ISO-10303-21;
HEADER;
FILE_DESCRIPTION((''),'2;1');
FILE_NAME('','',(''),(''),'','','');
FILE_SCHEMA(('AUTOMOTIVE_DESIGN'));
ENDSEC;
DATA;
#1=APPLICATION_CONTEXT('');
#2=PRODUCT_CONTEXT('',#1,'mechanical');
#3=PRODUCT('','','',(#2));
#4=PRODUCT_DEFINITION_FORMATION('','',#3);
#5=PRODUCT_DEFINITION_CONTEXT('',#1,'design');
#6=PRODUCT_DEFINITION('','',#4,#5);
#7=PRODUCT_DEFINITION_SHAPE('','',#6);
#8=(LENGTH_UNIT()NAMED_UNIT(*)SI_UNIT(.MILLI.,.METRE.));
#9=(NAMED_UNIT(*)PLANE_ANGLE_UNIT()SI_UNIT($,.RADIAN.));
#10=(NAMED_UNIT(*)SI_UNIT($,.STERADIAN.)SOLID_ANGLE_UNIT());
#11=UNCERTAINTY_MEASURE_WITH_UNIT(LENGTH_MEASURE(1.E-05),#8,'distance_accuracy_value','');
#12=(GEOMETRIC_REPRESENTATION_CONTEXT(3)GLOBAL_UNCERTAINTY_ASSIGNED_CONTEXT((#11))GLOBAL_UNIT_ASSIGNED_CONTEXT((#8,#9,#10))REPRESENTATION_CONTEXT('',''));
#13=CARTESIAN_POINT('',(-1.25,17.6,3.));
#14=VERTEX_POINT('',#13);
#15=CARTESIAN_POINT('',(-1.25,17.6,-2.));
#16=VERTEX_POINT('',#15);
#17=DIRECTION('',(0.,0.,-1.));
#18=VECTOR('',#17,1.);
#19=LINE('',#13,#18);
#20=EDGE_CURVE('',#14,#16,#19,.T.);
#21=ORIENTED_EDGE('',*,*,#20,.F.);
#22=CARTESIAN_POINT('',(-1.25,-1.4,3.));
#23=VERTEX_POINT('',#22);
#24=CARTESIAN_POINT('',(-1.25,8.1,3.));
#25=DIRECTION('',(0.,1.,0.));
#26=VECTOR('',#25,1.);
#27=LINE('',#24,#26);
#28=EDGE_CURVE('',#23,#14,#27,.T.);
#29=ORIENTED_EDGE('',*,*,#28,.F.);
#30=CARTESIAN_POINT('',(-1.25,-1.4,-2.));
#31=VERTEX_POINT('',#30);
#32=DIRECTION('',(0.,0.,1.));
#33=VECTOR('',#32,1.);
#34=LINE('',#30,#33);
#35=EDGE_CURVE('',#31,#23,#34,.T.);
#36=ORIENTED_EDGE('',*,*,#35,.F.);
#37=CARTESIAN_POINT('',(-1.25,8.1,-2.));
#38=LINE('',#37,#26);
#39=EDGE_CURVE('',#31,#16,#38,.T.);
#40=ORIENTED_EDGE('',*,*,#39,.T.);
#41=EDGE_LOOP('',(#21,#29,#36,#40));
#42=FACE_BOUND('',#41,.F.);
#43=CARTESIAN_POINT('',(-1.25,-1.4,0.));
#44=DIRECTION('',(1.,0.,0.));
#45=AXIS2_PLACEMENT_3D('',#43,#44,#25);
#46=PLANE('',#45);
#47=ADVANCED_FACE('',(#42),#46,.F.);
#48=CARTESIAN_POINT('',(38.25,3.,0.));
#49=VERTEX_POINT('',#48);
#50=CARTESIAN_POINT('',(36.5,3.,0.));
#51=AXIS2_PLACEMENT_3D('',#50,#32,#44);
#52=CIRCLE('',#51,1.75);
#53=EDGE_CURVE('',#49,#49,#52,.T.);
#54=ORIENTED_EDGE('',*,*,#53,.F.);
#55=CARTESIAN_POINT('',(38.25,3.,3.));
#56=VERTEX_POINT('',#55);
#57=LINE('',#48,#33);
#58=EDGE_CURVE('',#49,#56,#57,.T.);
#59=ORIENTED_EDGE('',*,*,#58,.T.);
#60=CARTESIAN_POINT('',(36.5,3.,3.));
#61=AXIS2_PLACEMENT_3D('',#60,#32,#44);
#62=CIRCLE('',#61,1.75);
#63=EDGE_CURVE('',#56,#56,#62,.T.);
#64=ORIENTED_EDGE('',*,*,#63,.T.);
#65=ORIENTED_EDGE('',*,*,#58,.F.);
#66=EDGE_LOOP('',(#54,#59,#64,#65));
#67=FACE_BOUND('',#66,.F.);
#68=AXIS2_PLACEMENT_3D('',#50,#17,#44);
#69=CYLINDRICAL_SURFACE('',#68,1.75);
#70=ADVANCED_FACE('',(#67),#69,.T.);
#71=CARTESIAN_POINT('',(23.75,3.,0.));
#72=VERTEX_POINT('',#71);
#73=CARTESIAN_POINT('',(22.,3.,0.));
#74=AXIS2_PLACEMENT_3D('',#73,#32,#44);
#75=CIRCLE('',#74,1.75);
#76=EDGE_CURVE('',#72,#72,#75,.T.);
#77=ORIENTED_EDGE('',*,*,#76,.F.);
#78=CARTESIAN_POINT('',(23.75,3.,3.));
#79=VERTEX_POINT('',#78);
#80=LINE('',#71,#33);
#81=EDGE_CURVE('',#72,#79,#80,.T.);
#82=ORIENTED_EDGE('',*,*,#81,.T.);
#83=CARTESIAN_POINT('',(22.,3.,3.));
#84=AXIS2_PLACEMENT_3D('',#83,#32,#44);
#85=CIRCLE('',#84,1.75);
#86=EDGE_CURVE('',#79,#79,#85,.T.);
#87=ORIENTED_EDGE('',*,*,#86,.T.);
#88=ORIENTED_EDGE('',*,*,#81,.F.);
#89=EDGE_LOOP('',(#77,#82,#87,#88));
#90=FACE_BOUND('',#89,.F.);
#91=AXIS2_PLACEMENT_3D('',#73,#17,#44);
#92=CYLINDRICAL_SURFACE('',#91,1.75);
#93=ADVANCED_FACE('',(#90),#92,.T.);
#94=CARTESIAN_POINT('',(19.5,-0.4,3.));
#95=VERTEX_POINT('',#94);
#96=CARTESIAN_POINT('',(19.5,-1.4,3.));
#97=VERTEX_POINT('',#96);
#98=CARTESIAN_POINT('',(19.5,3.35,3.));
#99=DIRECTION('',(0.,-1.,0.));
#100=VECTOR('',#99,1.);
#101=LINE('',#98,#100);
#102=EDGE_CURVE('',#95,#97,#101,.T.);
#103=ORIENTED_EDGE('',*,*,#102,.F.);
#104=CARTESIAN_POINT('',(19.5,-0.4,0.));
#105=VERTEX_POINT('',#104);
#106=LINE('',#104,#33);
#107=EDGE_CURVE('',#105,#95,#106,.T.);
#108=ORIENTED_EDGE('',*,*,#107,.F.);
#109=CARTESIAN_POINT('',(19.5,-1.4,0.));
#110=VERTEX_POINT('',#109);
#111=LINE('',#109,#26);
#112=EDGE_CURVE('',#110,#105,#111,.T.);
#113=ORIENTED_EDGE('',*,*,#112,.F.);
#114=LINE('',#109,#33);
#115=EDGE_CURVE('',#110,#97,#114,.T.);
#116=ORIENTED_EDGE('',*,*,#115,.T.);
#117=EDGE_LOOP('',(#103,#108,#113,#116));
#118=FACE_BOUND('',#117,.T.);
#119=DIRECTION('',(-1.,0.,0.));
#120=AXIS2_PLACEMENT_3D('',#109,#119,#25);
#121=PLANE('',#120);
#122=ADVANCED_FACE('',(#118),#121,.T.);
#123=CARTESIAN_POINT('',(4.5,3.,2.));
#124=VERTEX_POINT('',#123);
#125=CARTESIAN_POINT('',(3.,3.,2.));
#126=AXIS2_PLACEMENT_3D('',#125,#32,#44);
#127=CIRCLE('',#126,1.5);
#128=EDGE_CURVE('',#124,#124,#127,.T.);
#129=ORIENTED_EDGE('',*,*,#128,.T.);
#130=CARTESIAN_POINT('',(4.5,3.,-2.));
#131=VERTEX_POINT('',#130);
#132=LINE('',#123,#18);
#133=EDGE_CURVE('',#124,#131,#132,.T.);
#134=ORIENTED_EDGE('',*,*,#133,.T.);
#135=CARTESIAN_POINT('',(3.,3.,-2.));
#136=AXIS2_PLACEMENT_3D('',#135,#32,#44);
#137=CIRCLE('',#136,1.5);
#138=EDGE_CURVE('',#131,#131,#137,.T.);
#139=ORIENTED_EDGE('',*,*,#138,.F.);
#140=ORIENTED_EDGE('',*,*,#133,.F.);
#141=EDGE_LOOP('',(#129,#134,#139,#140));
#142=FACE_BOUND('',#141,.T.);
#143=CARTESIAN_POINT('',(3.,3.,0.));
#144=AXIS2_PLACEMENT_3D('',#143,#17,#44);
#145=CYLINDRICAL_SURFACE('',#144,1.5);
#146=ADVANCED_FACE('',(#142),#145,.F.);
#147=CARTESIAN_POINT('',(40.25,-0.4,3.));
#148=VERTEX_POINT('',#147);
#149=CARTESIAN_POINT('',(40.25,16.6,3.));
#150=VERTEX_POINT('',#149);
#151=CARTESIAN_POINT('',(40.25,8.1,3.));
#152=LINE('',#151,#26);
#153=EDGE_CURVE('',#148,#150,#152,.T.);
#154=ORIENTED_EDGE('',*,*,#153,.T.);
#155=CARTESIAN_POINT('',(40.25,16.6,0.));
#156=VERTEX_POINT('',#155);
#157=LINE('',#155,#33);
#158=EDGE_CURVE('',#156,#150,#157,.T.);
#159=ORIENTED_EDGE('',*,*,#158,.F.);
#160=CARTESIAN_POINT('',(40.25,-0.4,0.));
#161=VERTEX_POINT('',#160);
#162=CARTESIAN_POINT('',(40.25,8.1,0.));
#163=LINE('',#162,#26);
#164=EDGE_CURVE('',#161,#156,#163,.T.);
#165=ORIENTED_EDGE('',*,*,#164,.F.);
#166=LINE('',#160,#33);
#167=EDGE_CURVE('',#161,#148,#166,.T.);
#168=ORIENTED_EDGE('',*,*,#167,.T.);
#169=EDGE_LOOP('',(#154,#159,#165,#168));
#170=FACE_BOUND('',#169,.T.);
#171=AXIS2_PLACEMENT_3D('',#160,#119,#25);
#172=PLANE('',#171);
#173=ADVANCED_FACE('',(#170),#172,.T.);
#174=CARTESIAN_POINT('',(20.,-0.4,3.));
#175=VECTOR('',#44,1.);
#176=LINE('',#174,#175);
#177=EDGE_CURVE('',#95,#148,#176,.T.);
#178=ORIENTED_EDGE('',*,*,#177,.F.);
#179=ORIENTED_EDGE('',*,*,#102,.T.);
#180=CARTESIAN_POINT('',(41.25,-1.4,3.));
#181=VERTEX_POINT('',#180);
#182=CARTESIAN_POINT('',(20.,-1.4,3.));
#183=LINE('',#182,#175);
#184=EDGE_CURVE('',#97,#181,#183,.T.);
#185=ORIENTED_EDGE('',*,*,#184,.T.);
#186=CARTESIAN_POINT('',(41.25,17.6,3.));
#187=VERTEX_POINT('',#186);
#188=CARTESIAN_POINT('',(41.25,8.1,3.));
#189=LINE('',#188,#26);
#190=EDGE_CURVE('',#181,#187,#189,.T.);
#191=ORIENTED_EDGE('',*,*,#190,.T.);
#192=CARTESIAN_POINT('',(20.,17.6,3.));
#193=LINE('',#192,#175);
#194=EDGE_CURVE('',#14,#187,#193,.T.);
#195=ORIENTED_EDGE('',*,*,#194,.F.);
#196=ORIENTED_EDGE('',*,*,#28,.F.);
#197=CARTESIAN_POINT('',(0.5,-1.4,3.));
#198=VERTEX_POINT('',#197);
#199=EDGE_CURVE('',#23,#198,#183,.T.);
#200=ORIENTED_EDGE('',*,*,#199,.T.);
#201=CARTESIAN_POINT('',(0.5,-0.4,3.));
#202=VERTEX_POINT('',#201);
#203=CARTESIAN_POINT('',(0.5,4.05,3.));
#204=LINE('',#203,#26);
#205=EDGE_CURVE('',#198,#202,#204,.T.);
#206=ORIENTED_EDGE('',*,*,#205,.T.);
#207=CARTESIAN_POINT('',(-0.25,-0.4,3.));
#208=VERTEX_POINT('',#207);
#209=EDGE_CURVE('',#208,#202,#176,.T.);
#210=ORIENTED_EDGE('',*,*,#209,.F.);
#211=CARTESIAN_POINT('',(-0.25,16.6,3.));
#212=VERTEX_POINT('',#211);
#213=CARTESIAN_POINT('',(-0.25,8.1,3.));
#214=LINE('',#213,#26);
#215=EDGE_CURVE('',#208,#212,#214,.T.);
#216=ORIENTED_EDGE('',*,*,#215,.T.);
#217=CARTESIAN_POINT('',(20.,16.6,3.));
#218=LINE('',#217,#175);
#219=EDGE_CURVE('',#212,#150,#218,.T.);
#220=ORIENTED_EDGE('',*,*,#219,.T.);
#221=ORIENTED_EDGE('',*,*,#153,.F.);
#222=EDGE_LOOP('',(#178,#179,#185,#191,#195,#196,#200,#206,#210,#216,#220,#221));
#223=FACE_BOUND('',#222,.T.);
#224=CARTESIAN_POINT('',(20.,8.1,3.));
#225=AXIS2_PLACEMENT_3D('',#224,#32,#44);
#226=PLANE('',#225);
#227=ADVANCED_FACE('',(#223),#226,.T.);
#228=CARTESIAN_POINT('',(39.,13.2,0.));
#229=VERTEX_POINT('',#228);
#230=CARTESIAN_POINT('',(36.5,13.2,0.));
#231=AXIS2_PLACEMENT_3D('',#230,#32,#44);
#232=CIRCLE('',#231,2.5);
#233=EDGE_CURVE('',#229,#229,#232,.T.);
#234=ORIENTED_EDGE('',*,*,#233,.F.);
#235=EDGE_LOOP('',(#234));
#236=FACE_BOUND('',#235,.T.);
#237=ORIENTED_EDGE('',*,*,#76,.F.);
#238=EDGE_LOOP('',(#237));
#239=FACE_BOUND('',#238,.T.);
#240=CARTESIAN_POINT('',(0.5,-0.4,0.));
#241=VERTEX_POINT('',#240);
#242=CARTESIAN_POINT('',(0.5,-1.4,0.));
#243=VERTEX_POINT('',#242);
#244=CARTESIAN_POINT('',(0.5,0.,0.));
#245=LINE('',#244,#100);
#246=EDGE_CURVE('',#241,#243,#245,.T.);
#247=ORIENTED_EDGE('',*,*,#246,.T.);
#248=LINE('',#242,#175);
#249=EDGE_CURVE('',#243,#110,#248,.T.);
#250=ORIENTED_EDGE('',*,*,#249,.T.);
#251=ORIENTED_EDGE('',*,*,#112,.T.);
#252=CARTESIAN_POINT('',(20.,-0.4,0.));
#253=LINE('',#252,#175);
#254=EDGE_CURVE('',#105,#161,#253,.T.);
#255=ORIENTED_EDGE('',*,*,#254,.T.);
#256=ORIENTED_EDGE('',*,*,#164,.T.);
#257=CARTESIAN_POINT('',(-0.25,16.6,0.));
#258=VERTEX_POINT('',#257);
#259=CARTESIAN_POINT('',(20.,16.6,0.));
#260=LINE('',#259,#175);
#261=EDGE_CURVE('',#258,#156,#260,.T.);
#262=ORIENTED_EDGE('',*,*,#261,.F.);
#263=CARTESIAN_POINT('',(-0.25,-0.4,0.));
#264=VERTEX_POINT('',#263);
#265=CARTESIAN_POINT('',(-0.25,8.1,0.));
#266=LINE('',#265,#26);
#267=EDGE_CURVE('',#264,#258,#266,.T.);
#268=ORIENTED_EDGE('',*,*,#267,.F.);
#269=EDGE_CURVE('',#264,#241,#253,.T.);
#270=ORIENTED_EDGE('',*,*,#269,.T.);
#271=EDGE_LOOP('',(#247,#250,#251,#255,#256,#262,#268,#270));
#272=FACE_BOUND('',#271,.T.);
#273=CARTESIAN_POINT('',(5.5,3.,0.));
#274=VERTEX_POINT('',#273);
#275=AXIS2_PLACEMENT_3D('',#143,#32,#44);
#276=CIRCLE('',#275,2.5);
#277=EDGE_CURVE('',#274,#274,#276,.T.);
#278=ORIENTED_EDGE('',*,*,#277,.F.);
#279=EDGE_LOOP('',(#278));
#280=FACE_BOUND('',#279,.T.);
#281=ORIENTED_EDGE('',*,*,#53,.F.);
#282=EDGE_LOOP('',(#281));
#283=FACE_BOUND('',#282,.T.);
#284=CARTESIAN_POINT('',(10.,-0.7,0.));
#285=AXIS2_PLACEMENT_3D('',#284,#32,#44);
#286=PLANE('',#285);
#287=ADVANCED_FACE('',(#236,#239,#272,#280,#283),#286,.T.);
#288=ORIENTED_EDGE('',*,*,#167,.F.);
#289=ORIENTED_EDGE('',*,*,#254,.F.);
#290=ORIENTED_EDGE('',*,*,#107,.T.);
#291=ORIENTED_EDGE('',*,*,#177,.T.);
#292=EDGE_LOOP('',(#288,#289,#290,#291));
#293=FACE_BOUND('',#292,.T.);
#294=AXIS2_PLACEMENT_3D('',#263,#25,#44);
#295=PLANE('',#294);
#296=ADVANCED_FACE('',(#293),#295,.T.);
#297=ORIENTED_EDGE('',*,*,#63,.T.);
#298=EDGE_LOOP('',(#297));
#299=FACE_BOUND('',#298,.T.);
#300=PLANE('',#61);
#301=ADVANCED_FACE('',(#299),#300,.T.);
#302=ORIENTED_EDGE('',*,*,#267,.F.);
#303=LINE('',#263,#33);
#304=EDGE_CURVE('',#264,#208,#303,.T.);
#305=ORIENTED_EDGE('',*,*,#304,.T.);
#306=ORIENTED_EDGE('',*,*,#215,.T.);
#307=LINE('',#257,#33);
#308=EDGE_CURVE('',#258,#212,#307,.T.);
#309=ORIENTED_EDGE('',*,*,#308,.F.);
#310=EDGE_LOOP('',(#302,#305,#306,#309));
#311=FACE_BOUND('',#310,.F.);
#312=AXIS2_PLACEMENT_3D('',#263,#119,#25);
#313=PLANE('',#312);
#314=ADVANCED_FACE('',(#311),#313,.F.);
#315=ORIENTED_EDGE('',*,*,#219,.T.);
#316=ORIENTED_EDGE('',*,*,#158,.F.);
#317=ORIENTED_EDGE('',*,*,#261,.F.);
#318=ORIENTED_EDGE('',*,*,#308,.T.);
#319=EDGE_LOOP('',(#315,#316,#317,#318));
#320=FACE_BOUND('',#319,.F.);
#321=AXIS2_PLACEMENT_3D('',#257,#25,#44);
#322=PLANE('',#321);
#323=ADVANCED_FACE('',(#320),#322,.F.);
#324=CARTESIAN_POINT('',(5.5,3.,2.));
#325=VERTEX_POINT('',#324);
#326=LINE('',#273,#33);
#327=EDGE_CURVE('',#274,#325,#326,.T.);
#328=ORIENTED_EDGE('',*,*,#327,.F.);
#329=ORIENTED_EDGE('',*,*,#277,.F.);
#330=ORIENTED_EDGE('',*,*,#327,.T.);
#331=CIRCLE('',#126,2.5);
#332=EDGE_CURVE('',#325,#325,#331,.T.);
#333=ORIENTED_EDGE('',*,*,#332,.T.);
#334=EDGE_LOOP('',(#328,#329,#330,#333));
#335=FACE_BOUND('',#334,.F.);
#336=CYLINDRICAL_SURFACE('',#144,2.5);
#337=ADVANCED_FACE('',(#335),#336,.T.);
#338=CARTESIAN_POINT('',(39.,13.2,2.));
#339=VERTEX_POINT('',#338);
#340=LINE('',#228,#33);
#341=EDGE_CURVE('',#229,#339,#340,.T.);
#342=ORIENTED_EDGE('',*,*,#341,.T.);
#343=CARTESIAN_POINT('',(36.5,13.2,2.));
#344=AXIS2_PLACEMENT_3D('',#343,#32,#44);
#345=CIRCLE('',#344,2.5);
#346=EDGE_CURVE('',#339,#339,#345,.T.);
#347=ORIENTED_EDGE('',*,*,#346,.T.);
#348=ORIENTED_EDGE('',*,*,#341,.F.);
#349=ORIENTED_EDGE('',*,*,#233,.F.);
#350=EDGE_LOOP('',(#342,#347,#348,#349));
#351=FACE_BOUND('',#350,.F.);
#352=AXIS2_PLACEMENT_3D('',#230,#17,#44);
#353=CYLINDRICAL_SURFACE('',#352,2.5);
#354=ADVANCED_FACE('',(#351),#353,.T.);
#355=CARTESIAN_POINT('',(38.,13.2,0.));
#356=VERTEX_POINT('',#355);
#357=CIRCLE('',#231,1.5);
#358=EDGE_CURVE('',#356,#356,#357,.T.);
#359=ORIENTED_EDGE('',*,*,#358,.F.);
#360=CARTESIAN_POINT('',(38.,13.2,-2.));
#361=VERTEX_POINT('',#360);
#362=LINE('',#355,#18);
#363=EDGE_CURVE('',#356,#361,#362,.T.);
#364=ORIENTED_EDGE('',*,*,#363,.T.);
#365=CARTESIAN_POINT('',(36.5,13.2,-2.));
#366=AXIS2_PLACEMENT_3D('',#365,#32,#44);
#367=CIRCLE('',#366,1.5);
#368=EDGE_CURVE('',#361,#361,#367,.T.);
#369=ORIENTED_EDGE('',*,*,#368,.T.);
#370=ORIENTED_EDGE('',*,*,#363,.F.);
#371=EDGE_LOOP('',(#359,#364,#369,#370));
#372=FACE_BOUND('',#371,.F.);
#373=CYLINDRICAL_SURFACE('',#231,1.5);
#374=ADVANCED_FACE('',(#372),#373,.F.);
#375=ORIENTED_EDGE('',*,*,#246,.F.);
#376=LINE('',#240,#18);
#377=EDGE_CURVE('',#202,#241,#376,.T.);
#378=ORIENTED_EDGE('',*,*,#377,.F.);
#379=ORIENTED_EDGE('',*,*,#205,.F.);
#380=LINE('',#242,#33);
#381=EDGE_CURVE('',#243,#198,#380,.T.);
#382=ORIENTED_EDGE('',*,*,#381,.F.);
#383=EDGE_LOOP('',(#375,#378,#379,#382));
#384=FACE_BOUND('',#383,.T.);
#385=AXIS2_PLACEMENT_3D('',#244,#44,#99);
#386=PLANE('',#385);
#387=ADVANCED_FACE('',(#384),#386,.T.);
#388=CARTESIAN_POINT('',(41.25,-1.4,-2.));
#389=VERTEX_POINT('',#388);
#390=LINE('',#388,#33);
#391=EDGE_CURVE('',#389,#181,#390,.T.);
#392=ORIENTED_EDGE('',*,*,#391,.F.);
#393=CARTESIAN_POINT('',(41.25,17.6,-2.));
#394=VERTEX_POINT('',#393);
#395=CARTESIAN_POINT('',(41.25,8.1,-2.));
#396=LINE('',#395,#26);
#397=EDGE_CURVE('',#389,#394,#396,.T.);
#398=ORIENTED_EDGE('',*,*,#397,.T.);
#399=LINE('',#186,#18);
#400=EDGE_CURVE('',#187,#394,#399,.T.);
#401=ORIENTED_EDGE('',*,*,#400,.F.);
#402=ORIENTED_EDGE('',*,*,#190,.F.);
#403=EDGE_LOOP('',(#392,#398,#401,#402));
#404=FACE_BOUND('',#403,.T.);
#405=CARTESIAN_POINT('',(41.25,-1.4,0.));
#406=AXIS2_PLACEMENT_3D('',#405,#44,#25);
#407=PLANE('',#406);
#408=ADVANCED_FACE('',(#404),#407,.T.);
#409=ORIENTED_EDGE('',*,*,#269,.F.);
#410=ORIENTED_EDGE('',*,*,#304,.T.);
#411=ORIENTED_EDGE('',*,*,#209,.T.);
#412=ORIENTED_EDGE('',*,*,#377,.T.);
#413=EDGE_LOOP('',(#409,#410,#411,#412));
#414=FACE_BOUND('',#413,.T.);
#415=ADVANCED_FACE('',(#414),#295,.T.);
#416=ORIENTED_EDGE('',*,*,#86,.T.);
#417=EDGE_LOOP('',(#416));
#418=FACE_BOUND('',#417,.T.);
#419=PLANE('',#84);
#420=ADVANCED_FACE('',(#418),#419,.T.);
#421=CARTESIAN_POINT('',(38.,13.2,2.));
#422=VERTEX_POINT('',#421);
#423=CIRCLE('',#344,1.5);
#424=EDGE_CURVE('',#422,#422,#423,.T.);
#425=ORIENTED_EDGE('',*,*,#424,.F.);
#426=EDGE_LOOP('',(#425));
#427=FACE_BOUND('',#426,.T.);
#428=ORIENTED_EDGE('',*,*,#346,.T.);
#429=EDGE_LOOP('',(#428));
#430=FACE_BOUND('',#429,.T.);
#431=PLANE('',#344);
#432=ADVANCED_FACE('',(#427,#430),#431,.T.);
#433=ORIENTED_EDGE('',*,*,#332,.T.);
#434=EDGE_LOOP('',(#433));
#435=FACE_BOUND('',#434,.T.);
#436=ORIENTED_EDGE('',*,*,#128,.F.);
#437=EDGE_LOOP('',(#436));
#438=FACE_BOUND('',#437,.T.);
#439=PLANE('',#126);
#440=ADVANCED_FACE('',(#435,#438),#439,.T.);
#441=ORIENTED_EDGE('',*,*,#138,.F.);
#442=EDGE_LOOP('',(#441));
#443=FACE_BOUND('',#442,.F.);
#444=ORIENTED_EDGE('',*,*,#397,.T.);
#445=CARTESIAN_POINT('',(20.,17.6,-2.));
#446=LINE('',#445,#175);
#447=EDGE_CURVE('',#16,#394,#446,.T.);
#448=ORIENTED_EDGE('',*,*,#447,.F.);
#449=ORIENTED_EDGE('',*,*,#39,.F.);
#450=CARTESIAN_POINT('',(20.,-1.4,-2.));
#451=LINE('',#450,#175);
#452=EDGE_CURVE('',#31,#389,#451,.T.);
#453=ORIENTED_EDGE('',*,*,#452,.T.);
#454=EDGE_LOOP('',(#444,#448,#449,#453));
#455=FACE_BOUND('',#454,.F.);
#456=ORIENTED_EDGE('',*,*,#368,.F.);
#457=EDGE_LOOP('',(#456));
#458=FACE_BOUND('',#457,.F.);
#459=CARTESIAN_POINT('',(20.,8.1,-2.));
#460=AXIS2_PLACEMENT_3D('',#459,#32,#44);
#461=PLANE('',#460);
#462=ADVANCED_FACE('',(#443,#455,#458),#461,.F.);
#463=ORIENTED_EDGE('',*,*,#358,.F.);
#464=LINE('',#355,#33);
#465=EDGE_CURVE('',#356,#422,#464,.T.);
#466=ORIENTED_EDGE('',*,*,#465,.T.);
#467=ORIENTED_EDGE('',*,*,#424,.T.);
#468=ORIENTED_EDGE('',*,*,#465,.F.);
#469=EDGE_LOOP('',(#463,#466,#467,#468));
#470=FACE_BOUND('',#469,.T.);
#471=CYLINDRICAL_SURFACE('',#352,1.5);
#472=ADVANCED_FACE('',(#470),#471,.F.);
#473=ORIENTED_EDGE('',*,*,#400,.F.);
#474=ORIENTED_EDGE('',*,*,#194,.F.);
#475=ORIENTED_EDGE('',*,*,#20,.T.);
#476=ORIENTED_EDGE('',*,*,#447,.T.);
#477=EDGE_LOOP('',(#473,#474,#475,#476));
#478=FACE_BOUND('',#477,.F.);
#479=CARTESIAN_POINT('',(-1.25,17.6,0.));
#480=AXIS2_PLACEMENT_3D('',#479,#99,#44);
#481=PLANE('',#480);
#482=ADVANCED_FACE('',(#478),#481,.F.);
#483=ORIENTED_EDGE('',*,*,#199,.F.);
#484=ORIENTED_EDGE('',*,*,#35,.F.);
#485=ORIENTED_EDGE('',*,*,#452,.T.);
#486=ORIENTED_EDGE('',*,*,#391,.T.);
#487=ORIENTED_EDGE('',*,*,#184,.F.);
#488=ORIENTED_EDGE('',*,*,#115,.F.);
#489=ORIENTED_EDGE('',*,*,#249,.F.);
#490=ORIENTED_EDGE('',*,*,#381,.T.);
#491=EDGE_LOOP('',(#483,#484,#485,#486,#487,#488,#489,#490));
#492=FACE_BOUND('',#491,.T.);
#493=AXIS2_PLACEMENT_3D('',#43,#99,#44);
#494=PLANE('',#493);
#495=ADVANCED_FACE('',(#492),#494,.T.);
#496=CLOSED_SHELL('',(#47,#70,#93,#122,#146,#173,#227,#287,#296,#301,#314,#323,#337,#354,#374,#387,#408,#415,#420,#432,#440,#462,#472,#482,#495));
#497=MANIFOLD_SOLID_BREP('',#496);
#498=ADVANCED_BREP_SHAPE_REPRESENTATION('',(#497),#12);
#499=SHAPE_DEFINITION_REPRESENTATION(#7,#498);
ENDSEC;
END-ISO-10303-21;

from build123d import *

# Parameters (mm, degrees)
SKETCH001_W   = 42.5
SKETCH001_H   = 19
SKETCH001_W_2 = 40.5
SKETCH001_H_2 = 17
PAD_DEPTH     = 3
SKETCH002_W   = 42.5
SKETCH002_H   = 19
SKETCH002_R   = 1.5
PAD001_DEPTH  = 2
SKETCH003_R   = 1.75
PAD002_DEPTH  = 3
POCKET_DEPTH  = 3.001
SKETCH005_R   = 2.5
SKETCH005_R_2 = 1.5
PAD003_DEPTH  = 2


with BuildPart() as part:
    # Sketch001 → Pad (new body)
    with BuildSketch(Plane.XY):
        with Locations((20, 8.1)):
            Rectangle(SKETCH001_W, SKETCH001_H)
        with Locations((20, 8.1)):
            Rectangle(SKETCH001_W_2, SKETCH001_H_2, mode=Mode.SUBTRACT)
    extrude(amount=PAD_DEPTH)

    # Sketch002 → Pad001 (join)
    with BuildSketch(Plane.XY):
        with Locations((20, 8.1)):
            Rectangle(SKETCH002_W, SKETCH002_H)
        with Locations((3, 3)):
            Circle(SKETCH002_R, mode=Mode.SUBTRACT)
        with Locations((36.5, 13.2)):
            Circle(SKETCH002_R, mode=Mode.SUBTRACT)
    extrude(amount=-PAD001_DEPTH)

    # Sketch003 → Pad002 (join)
    with BuildSketch(Plane.XY):
        with Locations((22, 3)):
            Circle(SKETCH003_R)
        with Locations((36.5, 3)):
            Circle(SKETCH003_R)
    extrude(amount=PAD002_DEPTH)

    # Sketch004 → Pocket (cut, through all)
    with BuildSketch(Plane.XY):
        Polygon((19.5, 0), (5.5, 0), (0.5, 0), (0.5, -1.4), (5.5, -1.4), (19.5, -1.4), align=None)
    extrude(amount=POCKET_DEPTH, mode=Mode.SUBTRACT)

    # Sketch005 → Pad003 (join)
    with BuildSketch(Plane.XY):
        with Locations((3, 3)):
            Circle(SKETCH005_R)
        with Locations((3, 3)):
            Circle(SKETCH005_R_2, mode=Mode.SUBTRACT)
        with Locations((36.5, 13.2)):
            Circle(SKETCH005_R)
        with Locations((36.5, 13.2)):
            Circle(SKETCH005_R_2, mode=Mode.SUBTRACT)
    extrude(amount=PAD003_DEPTH)


solid = part.part
